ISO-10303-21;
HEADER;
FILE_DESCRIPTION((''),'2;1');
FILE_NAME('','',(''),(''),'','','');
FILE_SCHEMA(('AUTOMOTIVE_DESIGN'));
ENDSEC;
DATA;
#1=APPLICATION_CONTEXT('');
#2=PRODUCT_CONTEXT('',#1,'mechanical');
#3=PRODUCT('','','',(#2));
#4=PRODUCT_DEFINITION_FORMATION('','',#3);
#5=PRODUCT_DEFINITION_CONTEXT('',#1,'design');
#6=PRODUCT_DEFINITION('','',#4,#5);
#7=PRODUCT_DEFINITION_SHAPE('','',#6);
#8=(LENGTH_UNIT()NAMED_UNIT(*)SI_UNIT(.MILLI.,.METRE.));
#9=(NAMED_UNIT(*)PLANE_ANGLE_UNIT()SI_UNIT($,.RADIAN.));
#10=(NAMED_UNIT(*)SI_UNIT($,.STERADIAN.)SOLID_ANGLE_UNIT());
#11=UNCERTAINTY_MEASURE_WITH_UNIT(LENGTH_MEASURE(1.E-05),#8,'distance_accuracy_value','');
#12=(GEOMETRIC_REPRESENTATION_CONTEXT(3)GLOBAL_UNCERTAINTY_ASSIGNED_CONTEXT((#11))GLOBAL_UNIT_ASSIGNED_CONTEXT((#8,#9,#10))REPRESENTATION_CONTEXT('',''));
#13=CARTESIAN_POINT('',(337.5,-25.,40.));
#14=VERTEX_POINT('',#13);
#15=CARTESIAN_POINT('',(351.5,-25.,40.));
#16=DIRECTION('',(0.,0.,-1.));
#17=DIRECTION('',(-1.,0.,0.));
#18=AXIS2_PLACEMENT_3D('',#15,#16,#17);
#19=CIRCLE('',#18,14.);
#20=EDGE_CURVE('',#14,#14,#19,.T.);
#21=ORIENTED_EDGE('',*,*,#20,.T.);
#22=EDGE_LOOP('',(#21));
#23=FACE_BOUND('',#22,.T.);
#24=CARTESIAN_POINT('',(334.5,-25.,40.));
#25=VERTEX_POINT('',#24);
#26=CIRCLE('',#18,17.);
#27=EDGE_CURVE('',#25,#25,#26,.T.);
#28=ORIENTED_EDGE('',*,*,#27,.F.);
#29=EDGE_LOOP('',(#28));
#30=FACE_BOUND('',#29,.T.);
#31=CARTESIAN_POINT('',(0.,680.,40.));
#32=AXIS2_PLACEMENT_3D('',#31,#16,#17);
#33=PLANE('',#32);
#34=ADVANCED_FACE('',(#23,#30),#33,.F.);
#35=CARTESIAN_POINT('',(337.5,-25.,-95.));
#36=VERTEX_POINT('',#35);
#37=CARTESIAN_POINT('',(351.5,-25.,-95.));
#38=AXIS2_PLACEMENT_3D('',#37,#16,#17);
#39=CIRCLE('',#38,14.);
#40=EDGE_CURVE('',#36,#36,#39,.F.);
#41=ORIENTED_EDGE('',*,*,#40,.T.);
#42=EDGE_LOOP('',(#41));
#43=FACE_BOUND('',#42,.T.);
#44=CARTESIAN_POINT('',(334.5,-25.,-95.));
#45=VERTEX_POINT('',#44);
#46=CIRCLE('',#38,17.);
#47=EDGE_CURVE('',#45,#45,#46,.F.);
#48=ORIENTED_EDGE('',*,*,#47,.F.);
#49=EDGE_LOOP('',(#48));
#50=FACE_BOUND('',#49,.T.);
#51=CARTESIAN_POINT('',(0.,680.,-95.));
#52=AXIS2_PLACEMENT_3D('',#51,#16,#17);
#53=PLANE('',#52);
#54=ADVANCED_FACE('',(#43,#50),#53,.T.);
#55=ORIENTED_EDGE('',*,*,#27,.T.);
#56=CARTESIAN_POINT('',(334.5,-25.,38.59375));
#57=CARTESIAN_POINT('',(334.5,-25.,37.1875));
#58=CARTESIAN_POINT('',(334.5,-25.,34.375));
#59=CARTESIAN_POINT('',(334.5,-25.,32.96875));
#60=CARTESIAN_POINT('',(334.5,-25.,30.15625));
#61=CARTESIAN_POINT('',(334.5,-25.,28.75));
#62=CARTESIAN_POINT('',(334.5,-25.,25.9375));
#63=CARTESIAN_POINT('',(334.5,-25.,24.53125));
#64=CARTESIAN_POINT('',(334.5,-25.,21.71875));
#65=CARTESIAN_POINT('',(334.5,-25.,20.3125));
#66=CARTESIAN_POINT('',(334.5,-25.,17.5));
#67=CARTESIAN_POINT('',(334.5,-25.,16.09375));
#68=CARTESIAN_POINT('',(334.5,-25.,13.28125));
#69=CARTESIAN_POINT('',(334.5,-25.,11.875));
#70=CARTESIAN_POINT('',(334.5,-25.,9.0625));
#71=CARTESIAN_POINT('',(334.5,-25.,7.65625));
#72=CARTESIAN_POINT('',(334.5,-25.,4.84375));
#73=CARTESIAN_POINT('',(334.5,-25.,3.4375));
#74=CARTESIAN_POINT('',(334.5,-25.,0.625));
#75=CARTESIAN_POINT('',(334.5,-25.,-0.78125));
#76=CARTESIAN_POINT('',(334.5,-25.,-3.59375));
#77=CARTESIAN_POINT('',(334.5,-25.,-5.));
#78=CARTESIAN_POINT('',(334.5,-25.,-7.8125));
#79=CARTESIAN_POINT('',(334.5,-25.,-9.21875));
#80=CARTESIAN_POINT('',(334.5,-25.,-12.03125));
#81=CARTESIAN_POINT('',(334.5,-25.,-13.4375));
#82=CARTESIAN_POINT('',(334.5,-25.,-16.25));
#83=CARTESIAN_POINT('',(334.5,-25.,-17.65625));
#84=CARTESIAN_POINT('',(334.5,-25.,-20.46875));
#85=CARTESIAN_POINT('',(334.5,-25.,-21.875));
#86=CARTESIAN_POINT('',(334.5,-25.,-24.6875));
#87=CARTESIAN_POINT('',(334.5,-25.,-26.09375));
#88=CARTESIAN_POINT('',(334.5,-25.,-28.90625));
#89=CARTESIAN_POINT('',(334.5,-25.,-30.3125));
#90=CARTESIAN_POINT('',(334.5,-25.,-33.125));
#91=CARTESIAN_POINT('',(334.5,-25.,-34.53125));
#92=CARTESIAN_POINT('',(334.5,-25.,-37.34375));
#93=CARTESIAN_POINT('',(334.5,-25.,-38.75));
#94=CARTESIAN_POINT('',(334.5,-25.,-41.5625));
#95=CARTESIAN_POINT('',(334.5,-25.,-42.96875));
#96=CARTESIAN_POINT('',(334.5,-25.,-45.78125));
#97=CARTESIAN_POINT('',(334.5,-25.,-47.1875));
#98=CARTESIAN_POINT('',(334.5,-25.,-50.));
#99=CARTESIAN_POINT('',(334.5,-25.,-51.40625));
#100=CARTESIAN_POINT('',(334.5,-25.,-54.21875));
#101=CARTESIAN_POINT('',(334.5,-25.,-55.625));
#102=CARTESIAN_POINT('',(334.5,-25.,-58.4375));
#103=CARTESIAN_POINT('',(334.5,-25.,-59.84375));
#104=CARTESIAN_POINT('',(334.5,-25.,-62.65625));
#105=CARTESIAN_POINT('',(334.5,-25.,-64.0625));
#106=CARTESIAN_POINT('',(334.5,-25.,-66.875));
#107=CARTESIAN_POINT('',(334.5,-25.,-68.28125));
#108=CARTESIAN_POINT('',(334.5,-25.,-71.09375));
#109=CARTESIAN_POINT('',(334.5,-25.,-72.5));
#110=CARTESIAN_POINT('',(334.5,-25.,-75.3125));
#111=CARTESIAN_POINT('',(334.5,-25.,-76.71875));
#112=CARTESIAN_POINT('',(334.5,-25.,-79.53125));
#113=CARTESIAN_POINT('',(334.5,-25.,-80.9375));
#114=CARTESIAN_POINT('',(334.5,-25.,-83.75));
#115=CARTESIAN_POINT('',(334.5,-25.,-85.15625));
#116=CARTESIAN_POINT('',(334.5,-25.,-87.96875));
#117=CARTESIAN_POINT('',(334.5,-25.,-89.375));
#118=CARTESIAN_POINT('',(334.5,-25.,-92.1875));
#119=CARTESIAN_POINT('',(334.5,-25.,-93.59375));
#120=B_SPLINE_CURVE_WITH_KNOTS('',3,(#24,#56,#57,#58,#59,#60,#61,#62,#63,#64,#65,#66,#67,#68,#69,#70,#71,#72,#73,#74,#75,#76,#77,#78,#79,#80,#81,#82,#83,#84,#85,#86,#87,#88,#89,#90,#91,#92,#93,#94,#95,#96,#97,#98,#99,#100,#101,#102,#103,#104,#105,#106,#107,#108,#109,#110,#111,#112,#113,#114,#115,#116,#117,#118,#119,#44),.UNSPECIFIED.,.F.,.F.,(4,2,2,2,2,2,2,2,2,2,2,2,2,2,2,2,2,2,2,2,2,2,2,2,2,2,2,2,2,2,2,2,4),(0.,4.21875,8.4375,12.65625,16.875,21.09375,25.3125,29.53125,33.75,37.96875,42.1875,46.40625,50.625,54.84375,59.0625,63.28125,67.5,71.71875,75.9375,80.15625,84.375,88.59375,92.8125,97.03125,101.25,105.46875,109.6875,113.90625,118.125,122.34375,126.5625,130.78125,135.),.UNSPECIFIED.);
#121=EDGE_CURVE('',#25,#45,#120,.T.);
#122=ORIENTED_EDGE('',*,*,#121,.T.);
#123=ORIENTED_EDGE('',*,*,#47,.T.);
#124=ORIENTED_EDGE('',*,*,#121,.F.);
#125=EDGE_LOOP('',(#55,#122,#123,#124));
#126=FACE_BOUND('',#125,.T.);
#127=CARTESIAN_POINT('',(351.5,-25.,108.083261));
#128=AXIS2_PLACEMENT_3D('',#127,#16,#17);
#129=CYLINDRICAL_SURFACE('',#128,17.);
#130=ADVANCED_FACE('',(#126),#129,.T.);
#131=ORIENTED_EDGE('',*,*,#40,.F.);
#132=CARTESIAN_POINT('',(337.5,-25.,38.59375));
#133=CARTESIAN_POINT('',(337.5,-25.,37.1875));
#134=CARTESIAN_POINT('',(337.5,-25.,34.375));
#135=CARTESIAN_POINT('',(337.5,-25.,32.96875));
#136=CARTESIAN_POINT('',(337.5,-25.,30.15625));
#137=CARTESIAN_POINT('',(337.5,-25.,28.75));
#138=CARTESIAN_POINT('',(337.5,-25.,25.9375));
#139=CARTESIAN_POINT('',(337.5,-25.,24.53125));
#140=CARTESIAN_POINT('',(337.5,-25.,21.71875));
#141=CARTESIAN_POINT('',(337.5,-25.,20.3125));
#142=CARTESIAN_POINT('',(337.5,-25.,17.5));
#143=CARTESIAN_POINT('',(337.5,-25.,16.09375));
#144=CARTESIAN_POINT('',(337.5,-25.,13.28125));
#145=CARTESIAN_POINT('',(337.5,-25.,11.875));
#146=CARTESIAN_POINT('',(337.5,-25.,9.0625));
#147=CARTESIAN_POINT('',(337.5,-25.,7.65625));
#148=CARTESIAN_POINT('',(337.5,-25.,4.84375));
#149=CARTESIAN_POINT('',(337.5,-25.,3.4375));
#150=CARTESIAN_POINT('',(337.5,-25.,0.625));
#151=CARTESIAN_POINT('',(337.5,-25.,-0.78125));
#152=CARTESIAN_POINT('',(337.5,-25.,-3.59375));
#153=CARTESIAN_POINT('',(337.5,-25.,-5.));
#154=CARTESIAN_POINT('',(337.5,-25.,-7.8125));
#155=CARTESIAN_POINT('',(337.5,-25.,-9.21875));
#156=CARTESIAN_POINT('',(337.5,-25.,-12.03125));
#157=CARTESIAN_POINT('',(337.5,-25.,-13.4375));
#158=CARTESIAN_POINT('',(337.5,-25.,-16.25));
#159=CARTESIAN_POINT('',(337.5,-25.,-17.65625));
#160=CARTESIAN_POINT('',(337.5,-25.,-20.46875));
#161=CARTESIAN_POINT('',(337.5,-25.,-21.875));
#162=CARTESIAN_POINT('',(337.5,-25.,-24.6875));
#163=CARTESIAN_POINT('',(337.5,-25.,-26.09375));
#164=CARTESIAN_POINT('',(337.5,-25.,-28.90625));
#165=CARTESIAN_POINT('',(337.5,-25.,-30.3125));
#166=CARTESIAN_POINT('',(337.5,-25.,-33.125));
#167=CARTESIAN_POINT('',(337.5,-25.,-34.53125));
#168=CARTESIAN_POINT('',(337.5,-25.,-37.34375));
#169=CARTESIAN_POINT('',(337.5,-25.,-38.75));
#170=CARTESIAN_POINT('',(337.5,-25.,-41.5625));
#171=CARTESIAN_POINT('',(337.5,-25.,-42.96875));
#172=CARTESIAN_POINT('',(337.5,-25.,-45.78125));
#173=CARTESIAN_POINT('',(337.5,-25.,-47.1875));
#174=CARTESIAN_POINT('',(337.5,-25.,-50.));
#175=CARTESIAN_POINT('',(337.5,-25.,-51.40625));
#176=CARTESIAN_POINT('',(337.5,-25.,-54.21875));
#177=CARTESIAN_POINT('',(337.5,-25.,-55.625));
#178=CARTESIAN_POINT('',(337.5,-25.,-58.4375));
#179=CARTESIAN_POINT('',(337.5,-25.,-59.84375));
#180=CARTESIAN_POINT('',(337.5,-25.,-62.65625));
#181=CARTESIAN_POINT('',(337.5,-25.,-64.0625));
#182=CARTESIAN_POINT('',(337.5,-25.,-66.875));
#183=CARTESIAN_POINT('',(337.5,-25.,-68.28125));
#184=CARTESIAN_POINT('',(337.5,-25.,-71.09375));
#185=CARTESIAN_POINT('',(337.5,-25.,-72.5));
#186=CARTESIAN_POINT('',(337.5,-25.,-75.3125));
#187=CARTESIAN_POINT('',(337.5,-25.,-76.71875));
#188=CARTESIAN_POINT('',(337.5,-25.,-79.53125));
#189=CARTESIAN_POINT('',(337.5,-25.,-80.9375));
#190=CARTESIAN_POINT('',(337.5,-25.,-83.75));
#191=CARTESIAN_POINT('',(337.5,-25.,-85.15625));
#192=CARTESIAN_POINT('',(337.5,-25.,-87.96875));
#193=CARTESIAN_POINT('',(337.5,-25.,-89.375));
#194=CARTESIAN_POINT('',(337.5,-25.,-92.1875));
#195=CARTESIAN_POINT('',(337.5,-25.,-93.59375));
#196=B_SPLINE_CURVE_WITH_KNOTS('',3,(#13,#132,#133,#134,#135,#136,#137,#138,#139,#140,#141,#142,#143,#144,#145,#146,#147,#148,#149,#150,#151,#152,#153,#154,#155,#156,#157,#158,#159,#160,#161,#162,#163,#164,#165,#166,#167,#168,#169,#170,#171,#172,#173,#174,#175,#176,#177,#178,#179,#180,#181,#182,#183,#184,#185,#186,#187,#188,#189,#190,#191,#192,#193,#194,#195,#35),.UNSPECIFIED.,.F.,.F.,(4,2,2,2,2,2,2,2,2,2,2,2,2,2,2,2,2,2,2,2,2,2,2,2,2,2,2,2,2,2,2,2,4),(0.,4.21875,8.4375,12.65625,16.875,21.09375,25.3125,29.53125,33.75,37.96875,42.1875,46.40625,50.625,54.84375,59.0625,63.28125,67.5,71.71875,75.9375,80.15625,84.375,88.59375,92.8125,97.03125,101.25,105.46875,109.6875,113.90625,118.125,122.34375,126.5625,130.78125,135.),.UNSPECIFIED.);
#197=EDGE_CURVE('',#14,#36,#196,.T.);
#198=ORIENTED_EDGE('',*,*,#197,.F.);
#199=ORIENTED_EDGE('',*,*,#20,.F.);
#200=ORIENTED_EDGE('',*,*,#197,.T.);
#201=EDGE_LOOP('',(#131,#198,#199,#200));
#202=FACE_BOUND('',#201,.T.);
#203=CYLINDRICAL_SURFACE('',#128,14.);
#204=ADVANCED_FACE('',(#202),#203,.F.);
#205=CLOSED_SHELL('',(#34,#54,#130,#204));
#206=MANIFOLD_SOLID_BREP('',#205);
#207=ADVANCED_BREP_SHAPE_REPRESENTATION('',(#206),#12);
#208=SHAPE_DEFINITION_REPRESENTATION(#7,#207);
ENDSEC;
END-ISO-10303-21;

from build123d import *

# Parameters (mm, degrees)
BOSS_EXTRUDE1_DEPTH      = 40
BOSS_EXTRUDE1_DEPTH_BACK = 95
SKETCH1_R                = 17
SKETCH1_R_2              = 14


with BuildPart() as part:
    # Sketch1 → Boss-Extrude1 (new, two sides: drawn at the far end of the back side and taken through both)
    with BuildSketch(Plane.XY.offset(-BOSS_EXTRUDE1_DEPTH_BACK)):
        with Locations(Location((351.5, -25, 0), (0, 0, 180))):
            Circle(SKETCH1_R)
        with Locations(Location((351.5, -25, 0), (0, 0, 180))):
            Circle(SKETCH1_R_2, mode=Mode.SUBTRACT)
    extrude(amount=BOSS_EXTRUDE1_DEPTH + BOSS_EXTRUDE1_DEPTH_BACK)


solid = part.part
